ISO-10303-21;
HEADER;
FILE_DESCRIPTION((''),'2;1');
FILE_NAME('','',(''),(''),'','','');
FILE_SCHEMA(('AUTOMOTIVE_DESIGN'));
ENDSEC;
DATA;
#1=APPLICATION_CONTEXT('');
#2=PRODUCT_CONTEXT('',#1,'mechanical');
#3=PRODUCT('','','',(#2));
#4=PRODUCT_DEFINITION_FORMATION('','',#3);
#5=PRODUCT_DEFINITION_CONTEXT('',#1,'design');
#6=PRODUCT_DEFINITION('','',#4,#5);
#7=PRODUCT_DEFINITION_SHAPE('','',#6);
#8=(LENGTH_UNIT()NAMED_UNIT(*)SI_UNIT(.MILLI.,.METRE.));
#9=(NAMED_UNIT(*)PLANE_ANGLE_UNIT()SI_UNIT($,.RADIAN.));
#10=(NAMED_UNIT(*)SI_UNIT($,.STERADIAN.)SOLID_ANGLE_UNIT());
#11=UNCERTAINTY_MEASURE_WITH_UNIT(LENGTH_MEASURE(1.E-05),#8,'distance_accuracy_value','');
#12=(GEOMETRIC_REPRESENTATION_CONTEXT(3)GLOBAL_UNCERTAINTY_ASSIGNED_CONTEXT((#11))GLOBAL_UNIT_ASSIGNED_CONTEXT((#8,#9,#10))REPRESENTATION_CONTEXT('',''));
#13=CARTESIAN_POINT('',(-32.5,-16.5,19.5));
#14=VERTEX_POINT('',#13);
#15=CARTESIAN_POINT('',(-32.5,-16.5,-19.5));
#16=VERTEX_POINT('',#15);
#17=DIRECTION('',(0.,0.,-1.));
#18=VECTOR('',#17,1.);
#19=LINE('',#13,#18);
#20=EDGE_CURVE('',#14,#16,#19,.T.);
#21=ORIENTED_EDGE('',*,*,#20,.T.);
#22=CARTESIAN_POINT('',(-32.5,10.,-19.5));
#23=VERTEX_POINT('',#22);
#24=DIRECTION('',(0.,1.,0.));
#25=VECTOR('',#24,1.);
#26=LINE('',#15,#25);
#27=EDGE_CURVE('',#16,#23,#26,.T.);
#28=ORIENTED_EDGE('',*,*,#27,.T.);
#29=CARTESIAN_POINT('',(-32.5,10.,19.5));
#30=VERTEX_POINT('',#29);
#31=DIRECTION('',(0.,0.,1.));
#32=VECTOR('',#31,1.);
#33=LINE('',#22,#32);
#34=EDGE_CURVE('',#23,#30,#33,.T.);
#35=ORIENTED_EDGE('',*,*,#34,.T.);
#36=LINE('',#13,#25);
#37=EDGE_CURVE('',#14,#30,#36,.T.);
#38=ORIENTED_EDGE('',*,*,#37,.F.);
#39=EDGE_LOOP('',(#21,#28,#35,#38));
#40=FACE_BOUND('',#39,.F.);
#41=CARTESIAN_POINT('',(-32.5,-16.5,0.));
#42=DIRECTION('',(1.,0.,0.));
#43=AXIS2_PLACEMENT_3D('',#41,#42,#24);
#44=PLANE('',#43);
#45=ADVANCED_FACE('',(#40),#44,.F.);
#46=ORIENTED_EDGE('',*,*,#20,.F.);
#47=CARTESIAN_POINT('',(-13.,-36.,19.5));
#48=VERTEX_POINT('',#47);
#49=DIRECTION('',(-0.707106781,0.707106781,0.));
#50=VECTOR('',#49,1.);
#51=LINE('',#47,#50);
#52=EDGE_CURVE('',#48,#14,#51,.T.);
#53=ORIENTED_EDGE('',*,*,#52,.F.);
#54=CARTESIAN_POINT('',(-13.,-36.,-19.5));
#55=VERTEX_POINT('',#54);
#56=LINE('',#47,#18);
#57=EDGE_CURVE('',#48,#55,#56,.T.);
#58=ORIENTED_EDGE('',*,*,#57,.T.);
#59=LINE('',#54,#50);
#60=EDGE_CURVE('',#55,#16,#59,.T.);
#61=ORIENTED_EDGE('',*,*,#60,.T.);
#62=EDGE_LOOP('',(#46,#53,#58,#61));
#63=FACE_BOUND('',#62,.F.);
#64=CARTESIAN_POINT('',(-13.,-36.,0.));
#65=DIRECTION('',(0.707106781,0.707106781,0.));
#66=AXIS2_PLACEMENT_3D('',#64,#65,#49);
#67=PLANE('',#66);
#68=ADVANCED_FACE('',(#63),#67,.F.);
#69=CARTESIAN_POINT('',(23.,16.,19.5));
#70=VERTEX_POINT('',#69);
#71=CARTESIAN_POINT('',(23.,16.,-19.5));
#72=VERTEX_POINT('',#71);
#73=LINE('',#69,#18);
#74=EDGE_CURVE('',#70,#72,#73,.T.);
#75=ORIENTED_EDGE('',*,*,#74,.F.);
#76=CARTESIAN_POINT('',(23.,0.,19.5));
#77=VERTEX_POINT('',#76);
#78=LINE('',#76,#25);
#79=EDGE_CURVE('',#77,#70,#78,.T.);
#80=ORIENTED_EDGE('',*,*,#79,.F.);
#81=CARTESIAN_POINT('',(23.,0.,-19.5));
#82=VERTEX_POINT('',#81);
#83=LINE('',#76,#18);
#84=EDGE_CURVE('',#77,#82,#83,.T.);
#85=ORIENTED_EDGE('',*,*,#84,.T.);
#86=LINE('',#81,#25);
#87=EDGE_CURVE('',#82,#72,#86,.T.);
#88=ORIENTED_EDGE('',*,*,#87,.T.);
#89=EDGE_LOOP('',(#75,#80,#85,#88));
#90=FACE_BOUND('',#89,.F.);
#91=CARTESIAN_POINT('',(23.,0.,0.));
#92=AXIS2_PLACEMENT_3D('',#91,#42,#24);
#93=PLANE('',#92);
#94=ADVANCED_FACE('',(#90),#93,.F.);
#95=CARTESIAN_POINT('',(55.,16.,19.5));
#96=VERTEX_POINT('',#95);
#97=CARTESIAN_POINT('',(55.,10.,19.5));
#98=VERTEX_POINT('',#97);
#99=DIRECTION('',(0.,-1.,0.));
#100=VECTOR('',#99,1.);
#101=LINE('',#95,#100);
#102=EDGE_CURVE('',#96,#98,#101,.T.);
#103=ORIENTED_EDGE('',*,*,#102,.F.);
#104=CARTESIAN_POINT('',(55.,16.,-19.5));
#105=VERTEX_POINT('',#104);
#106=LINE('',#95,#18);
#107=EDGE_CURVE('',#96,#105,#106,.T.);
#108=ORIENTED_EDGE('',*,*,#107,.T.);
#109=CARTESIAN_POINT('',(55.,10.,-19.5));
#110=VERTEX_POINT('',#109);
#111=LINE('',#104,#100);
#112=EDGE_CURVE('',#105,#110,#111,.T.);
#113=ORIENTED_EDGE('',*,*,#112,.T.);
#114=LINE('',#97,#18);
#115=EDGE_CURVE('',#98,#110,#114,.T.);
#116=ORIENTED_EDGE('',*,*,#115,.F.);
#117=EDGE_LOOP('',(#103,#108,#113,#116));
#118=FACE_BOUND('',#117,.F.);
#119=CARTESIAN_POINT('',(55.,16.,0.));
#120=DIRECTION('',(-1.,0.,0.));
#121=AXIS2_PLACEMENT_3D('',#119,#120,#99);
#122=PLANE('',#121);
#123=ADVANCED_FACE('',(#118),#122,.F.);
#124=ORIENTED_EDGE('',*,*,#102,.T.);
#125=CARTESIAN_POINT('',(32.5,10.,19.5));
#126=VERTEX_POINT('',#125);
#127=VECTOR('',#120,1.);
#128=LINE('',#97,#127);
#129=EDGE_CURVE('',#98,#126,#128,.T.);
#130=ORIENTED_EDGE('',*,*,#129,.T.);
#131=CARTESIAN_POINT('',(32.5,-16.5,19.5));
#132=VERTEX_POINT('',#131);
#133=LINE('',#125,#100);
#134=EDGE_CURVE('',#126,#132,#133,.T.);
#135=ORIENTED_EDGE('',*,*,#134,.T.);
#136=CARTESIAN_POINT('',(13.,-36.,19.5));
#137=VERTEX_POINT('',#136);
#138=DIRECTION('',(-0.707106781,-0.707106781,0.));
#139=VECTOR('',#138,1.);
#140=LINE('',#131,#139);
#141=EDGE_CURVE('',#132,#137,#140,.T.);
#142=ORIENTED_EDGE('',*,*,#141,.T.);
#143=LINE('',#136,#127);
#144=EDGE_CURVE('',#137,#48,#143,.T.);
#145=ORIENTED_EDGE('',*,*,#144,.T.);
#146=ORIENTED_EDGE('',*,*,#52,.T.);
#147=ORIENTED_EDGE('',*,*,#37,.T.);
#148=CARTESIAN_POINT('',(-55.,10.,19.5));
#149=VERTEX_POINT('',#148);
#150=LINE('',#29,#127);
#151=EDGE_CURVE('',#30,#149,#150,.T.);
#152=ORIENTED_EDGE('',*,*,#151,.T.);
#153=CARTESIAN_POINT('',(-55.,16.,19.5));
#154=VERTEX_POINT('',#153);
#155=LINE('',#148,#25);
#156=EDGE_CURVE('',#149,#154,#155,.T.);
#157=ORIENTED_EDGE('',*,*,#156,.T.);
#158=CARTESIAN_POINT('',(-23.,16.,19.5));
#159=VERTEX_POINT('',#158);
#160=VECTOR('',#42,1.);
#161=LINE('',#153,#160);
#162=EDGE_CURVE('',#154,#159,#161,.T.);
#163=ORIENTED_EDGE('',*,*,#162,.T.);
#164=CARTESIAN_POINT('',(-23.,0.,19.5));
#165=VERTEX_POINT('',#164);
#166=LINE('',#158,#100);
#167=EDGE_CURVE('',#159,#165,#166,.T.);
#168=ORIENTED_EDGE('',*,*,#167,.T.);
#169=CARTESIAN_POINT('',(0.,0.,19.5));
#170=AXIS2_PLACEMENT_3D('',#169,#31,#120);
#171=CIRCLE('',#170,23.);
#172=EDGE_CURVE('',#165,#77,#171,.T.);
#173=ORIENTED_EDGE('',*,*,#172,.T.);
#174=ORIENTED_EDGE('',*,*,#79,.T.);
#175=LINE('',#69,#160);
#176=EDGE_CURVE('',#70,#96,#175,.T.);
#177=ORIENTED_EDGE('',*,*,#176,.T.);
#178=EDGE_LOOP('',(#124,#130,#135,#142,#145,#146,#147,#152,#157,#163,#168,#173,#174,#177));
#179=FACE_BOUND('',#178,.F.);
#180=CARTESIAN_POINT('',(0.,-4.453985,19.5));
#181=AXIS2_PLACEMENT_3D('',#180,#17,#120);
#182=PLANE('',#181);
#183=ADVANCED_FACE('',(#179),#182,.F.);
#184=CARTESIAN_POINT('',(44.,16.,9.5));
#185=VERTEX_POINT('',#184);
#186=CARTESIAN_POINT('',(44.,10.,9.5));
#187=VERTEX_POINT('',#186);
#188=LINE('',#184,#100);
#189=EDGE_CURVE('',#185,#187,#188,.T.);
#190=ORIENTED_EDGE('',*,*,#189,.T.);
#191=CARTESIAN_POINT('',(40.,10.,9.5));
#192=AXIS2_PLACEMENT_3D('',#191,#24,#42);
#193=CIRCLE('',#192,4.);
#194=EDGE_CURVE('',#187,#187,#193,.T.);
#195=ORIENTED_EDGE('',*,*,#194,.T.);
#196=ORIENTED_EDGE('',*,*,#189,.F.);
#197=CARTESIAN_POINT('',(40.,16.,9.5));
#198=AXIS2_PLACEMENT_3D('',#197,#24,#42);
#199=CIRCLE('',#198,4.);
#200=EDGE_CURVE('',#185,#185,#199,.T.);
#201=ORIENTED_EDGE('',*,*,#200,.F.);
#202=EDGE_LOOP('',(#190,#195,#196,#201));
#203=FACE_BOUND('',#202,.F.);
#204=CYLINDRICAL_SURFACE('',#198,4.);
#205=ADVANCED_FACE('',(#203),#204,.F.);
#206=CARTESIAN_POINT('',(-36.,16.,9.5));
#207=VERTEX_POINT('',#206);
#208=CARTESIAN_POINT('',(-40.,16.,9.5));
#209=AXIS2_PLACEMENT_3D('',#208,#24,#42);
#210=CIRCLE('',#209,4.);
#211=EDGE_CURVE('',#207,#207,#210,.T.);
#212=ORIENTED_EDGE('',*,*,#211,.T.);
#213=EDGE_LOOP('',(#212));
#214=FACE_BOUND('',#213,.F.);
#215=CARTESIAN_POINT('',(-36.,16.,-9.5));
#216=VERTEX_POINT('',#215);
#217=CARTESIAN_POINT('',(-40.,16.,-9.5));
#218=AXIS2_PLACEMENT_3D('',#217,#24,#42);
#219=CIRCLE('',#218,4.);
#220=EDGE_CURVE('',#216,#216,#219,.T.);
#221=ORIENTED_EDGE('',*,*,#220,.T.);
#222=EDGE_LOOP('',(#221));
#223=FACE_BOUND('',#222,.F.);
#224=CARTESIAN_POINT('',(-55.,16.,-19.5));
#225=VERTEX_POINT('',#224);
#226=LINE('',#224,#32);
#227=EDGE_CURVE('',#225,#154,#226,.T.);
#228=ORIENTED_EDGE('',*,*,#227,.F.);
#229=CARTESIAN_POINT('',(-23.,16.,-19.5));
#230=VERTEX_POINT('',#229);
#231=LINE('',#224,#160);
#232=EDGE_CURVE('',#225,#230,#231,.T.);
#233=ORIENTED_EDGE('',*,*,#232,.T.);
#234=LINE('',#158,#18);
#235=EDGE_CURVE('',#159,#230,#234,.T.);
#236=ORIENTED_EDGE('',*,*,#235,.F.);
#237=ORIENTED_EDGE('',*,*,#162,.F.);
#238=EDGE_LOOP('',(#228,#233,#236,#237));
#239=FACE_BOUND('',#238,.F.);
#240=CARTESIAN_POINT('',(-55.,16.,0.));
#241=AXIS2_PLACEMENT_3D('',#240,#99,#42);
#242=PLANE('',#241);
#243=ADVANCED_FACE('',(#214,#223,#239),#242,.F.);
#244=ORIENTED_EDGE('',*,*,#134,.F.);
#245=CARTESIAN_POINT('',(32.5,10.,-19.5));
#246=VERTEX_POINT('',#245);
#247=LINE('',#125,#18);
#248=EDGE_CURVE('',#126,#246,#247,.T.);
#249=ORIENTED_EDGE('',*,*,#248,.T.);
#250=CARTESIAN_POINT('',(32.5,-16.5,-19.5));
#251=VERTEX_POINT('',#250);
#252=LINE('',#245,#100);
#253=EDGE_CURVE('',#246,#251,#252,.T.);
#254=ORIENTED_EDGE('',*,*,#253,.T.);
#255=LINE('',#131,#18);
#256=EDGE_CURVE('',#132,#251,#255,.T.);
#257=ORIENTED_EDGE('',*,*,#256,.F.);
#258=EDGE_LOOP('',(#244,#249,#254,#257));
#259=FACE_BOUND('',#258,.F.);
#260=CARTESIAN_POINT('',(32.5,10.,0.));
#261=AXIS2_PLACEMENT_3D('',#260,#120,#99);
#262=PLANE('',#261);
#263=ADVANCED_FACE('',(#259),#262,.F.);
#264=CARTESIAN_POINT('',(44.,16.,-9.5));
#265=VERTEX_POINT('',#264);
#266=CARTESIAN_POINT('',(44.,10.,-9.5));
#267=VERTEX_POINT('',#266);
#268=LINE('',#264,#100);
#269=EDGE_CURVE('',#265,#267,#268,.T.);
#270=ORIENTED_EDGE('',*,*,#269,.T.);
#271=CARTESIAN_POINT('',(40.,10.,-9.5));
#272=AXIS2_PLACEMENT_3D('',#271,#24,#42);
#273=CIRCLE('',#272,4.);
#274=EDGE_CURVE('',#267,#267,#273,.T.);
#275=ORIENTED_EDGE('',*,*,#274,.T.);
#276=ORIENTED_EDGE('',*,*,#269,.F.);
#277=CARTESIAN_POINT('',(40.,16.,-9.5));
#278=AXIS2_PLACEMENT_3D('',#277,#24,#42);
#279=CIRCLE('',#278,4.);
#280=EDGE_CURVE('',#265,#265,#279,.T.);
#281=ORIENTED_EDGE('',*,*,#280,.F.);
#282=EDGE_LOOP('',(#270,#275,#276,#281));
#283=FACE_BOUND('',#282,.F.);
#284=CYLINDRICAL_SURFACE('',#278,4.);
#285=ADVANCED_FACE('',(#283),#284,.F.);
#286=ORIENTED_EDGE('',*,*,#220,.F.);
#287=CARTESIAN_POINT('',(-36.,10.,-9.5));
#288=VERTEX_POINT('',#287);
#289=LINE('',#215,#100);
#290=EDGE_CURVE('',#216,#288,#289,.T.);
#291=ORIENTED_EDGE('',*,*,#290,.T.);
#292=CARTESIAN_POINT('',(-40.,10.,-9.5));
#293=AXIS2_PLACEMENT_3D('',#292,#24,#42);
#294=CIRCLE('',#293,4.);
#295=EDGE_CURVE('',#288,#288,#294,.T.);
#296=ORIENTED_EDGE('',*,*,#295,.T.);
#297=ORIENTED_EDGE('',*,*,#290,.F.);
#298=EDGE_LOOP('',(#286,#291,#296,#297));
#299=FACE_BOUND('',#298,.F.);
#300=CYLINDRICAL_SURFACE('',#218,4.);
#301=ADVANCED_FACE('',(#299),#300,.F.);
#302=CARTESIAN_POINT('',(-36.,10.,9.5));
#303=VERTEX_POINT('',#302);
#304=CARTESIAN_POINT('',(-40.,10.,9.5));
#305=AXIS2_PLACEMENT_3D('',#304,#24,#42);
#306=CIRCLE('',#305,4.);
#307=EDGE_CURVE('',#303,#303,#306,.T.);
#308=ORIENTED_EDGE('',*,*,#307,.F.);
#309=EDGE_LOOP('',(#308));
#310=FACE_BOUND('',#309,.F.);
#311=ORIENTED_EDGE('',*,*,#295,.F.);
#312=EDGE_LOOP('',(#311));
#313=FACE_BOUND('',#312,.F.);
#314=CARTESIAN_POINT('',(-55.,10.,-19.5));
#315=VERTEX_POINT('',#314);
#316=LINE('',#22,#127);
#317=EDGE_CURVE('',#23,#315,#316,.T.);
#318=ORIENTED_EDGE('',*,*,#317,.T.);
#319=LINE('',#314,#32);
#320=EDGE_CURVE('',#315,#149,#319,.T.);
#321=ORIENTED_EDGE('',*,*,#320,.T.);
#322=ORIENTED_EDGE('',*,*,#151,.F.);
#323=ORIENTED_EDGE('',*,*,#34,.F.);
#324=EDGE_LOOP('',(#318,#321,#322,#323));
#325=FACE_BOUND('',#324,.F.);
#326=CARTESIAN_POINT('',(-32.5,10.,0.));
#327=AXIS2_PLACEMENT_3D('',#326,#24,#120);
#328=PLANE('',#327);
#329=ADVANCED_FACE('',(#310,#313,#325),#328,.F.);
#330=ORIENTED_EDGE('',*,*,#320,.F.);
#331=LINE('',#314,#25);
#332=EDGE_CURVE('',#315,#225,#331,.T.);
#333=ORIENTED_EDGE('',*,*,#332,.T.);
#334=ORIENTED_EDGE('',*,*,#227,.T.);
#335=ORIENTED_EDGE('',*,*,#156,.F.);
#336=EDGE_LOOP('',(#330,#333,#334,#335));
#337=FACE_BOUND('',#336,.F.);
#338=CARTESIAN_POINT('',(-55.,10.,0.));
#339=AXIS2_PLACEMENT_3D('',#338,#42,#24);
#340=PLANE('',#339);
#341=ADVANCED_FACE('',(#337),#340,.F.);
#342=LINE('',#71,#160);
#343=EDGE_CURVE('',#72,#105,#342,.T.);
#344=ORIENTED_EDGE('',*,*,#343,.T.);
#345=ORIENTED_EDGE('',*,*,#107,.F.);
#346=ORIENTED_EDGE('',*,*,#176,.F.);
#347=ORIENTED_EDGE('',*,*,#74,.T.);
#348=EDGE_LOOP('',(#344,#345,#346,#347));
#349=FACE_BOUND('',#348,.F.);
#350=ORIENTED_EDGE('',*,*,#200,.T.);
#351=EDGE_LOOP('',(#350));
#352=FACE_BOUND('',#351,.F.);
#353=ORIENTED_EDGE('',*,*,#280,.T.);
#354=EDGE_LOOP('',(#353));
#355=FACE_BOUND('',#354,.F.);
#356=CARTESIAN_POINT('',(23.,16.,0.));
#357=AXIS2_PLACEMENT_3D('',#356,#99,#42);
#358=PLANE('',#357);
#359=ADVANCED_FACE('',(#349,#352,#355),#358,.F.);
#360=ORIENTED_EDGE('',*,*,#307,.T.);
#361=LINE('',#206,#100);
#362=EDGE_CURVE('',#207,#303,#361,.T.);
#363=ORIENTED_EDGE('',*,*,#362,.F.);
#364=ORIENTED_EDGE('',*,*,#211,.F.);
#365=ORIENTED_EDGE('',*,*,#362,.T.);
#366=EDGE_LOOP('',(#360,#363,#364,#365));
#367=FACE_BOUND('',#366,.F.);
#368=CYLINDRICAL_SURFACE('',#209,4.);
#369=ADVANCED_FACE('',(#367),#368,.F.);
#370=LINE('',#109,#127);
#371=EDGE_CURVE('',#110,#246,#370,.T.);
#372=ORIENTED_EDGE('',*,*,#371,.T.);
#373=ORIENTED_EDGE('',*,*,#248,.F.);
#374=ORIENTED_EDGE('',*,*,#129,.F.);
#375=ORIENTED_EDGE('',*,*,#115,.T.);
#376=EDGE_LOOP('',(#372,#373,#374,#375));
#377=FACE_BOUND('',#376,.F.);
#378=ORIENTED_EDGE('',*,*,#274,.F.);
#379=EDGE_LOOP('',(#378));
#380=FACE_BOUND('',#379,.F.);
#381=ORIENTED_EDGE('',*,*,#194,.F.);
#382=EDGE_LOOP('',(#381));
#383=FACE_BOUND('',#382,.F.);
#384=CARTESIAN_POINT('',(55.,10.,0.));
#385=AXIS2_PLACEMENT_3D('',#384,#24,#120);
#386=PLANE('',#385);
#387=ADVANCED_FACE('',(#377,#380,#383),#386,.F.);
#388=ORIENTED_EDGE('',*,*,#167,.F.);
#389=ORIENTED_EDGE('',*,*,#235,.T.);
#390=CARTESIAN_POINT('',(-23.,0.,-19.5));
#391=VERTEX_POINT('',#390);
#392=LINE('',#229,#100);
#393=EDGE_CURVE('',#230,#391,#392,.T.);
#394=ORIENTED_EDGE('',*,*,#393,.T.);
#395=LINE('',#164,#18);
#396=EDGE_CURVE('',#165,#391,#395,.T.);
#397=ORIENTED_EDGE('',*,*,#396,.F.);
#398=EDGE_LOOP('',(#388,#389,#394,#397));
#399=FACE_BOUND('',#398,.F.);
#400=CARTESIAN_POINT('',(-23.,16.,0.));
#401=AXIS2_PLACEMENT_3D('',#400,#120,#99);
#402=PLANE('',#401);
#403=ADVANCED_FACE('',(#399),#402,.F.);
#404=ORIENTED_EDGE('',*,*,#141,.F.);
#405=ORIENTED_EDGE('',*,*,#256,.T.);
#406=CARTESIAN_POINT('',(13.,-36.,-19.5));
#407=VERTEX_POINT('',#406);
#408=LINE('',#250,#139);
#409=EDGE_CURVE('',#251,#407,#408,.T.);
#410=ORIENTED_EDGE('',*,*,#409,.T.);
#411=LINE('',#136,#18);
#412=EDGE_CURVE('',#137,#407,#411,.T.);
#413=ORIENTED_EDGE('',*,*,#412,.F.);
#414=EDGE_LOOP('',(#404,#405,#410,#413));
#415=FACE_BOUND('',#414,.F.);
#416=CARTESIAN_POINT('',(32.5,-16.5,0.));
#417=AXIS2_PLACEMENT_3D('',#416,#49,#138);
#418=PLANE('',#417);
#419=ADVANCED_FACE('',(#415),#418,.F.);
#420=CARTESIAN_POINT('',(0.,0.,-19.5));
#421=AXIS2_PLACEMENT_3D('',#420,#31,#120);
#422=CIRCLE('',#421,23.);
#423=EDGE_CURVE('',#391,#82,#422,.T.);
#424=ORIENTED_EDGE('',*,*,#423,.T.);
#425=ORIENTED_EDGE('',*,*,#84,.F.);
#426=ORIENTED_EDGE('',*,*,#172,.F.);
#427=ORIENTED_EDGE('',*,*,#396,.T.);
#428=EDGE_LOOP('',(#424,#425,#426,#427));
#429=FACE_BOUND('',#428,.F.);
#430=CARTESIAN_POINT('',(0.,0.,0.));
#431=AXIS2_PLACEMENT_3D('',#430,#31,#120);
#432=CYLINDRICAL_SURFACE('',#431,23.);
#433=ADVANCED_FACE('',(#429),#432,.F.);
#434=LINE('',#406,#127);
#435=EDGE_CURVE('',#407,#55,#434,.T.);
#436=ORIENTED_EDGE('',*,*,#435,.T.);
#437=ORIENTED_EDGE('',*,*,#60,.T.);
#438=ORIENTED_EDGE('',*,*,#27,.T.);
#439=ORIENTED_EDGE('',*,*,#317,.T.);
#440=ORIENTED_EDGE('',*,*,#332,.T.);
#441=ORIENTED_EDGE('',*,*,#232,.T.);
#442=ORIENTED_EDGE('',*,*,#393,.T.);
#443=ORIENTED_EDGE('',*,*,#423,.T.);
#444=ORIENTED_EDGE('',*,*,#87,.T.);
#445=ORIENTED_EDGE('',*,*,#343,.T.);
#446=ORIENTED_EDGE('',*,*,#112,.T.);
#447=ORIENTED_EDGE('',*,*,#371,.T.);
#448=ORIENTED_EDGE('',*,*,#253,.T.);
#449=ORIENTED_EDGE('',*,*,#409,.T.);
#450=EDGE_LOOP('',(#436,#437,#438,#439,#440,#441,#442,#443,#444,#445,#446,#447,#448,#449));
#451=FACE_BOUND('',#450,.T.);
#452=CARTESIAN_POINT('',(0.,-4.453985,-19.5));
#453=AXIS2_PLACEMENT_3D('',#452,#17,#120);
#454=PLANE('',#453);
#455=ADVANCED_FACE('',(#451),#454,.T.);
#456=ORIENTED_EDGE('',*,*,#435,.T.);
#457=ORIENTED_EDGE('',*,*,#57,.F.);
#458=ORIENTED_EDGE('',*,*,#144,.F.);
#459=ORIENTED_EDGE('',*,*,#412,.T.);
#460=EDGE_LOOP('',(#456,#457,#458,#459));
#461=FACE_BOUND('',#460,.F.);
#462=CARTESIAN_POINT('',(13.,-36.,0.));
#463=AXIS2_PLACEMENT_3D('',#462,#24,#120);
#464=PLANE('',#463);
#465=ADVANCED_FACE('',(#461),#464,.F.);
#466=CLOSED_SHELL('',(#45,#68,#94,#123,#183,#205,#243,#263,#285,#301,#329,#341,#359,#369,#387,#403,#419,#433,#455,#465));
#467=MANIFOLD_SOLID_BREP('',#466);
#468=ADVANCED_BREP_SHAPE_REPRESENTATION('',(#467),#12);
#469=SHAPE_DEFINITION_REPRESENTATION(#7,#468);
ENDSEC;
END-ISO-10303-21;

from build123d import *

# Parameters (mm, degrees)
BOSS_EXTRUDE1_DEPTH = 19.5
SKETCH2_R           = 4
CUT_EXTRUDE1_DEPTH  = 39


with BuildPart() as part:
    # Sketch1 → Boss-Extrude1 (new body, symmetric)
    with BuildSketch(Plane.XY):
        with BuildLine():
            Line((-55, 16), (-23, 16))
            Line((-23, 16), (-23, 0))
            ThreePointArc((-23, 0), (0, -23), (23, 0))
            Line((23, 0), (23, 16))
            Line((23, 16), (55, 16))
            Line((55, 16), (55, 10))
            Line((55, 10), (32.5, 10))
            Line((32.5, 10), (32.5, -16.5))
            Line((32.5, -16.5), (13, -36))
            Line((13, -36), (-13, -36))
            Line((-13, -36), (-32.5, -16.5))
            Line((-32.5, -16.5), (-32.5, 10))
            Line((-32.5, 10), (-55, 10))
            Line((-55, 10), (-55, 16))
        make_face()
    extrude(amount=BOSS_EXTRUDE1_DEPTH, both=True)

    # Sketch2 → Cut-Extrude1 (cut)
    with BuildSketch(Plane(origin=(0, 16, 0), x_dir=(1, 0, 0), z_dir=(0, 1, 0))):
        with Locations((40, 9.5)):
            Circle(SKETCH2_R)
        with Locations((40, -9.5)):
            Circle(SKETCH2_R)
        with Locations((-40, -9.5)):
            Circle(SKETCH2_R)
        with Locations((-40, 9.5)):
            Circle(SKETCH2_R)
    extrude(amount=-CUT_EXTRUDE1_DEPTH, mode=Mode.SUBTRACT)


solid = part.part
